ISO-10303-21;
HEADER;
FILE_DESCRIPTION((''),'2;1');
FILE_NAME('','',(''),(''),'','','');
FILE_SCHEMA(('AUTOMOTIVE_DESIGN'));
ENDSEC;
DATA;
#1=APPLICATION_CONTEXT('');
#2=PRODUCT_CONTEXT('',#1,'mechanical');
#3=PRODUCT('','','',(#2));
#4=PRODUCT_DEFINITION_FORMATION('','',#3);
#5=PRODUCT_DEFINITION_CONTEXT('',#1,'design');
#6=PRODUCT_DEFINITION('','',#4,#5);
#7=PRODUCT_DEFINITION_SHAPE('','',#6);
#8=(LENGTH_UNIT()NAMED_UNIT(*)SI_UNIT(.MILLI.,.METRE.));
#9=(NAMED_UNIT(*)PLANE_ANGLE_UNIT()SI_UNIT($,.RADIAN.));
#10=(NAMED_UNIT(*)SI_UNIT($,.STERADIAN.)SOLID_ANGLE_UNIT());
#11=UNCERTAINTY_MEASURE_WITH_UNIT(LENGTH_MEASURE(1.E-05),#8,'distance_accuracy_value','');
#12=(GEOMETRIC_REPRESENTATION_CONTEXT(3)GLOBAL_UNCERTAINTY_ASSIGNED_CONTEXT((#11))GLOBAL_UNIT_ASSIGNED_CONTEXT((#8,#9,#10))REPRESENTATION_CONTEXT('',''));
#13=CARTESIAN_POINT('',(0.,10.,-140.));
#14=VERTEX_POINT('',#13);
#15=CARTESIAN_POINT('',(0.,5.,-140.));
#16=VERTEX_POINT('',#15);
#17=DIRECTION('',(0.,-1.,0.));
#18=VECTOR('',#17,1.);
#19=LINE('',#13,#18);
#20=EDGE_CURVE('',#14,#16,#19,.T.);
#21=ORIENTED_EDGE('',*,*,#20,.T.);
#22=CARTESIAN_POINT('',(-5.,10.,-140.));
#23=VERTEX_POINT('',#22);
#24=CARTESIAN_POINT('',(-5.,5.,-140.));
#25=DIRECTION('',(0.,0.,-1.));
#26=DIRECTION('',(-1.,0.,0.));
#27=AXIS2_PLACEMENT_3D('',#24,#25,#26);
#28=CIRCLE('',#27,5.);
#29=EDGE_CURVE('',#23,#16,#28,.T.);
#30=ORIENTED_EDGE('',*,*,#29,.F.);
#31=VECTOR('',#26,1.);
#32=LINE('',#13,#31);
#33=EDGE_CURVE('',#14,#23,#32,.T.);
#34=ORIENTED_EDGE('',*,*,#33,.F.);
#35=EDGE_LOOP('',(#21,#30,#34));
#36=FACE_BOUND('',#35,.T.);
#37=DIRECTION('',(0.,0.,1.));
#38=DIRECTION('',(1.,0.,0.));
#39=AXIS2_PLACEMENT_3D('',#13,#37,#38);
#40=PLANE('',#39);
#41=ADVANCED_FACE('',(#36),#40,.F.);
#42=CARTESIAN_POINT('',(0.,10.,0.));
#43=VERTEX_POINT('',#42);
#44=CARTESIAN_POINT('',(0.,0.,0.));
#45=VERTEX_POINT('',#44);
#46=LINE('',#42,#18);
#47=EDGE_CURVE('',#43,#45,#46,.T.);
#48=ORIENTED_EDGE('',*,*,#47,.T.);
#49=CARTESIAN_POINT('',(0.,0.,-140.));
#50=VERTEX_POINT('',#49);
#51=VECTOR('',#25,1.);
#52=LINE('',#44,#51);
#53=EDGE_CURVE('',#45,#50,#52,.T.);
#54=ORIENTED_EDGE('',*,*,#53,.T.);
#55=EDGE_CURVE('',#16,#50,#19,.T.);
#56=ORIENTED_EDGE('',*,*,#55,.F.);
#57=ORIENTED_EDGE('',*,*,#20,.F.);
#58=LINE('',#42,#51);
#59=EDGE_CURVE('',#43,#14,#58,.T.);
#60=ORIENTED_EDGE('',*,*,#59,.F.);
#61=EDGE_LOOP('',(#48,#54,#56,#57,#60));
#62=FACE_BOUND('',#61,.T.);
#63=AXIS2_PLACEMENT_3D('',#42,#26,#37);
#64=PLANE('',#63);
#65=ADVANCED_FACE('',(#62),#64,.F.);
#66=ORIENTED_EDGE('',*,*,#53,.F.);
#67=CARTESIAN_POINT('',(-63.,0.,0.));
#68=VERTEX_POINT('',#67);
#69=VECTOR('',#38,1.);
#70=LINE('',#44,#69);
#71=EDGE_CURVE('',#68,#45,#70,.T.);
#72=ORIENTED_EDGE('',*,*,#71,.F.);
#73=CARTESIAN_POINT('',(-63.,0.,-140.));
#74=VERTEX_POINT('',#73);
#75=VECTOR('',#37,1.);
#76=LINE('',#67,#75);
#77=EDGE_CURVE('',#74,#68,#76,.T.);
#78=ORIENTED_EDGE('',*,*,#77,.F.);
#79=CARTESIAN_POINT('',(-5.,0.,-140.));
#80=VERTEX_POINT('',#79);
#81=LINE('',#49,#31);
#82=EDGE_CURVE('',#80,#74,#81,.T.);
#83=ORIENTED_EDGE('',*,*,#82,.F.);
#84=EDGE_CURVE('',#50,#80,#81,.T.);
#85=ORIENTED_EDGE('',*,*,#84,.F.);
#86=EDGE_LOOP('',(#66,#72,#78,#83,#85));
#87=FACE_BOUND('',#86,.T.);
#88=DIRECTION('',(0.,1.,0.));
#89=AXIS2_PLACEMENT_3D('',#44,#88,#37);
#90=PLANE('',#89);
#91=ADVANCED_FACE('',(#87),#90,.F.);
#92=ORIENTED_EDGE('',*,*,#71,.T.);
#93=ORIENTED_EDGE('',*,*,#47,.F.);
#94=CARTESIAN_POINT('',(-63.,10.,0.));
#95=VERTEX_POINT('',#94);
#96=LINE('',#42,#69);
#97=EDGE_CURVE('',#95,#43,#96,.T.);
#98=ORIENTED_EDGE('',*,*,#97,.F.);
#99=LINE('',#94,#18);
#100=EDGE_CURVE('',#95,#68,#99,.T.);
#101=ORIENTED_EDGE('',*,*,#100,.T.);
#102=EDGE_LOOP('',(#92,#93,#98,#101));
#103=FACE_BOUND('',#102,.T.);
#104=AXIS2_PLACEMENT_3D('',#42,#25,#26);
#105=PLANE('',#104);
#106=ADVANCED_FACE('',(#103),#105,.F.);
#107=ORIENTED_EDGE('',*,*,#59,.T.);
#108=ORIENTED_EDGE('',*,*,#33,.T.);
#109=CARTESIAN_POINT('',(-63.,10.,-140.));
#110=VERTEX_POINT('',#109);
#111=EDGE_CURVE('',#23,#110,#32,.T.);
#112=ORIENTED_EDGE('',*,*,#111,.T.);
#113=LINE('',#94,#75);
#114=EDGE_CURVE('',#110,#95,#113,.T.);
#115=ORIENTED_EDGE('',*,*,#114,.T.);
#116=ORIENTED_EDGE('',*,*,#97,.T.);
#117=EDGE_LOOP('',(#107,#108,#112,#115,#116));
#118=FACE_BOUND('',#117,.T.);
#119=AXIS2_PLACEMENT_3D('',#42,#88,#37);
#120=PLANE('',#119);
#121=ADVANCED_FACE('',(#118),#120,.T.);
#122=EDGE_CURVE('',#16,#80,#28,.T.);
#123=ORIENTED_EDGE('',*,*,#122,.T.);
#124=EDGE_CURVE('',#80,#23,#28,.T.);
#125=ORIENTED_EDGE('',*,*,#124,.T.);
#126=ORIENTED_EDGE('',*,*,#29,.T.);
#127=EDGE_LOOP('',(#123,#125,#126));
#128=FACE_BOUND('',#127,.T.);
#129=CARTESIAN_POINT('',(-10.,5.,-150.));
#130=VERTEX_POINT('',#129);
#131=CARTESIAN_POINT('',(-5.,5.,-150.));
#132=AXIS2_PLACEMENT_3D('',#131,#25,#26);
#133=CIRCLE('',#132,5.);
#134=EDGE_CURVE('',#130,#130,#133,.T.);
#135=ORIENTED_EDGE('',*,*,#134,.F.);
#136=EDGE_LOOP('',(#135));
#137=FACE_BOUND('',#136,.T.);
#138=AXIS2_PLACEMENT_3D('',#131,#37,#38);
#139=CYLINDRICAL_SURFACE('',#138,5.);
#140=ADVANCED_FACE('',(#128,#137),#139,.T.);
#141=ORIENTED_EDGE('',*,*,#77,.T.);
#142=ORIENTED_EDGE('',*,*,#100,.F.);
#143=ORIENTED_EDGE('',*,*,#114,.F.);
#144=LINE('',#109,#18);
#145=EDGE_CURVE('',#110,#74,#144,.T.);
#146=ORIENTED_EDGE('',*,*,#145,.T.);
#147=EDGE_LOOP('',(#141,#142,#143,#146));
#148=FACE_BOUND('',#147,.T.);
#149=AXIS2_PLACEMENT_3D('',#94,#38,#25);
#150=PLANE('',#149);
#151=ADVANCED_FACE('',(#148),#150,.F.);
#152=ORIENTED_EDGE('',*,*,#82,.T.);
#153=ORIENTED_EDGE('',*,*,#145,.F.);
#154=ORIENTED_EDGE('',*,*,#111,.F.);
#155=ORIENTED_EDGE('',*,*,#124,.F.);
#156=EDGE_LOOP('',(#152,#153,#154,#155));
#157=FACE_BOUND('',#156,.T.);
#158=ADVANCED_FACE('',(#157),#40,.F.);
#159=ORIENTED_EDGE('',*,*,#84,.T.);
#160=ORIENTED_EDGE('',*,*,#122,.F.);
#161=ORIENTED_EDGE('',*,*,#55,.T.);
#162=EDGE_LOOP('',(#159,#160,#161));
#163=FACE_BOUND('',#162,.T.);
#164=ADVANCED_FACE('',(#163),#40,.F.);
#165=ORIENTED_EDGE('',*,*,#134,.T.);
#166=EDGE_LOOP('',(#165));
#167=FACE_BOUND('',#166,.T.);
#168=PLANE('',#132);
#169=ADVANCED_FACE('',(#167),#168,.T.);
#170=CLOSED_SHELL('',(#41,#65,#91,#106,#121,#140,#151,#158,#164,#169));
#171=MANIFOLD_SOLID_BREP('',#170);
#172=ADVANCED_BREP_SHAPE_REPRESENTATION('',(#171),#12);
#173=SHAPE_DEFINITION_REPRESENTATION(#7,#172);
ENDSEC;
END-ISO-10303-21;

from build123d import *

# Parameters (mm, degrees)
ESQUISSE1_W        = 63
ESQUISSE1_H        = 140
BOSS_EXTRU_1_DEPTH = 10
ESQUISSE2_R        = 5
BOSS_EXTRU_2_DEPTH = 10


with BuildPart() as part:
    # Esquisse1 → Boss.-Extru.1 (new body)
    with BuildSketch(Plane(origin=(0, 0, 0), x_dir=(1, 0, 0), z_dir=(0, 1, 0))):
        with Locations((-31.5, 70)):
            Rectangle(ESQUISSE1_W, ESQUISSE1_H)
    extrude(amount=BOSS_EXTRU_1_DEPTH)

    # Esquisse2 → Boss.-Extru.2 (add)
    with BuildSketch(Plane(origin=(0, 0, -140), x_dir=(-1, 0, 0), z_dir=(0, 0, -1))):
        with Locations((5, 5)):
            Circle(ESQUISSE2_R)
    extrude(amount=BOSS_EXTRU_2_DEPTH)


solid = part.part
